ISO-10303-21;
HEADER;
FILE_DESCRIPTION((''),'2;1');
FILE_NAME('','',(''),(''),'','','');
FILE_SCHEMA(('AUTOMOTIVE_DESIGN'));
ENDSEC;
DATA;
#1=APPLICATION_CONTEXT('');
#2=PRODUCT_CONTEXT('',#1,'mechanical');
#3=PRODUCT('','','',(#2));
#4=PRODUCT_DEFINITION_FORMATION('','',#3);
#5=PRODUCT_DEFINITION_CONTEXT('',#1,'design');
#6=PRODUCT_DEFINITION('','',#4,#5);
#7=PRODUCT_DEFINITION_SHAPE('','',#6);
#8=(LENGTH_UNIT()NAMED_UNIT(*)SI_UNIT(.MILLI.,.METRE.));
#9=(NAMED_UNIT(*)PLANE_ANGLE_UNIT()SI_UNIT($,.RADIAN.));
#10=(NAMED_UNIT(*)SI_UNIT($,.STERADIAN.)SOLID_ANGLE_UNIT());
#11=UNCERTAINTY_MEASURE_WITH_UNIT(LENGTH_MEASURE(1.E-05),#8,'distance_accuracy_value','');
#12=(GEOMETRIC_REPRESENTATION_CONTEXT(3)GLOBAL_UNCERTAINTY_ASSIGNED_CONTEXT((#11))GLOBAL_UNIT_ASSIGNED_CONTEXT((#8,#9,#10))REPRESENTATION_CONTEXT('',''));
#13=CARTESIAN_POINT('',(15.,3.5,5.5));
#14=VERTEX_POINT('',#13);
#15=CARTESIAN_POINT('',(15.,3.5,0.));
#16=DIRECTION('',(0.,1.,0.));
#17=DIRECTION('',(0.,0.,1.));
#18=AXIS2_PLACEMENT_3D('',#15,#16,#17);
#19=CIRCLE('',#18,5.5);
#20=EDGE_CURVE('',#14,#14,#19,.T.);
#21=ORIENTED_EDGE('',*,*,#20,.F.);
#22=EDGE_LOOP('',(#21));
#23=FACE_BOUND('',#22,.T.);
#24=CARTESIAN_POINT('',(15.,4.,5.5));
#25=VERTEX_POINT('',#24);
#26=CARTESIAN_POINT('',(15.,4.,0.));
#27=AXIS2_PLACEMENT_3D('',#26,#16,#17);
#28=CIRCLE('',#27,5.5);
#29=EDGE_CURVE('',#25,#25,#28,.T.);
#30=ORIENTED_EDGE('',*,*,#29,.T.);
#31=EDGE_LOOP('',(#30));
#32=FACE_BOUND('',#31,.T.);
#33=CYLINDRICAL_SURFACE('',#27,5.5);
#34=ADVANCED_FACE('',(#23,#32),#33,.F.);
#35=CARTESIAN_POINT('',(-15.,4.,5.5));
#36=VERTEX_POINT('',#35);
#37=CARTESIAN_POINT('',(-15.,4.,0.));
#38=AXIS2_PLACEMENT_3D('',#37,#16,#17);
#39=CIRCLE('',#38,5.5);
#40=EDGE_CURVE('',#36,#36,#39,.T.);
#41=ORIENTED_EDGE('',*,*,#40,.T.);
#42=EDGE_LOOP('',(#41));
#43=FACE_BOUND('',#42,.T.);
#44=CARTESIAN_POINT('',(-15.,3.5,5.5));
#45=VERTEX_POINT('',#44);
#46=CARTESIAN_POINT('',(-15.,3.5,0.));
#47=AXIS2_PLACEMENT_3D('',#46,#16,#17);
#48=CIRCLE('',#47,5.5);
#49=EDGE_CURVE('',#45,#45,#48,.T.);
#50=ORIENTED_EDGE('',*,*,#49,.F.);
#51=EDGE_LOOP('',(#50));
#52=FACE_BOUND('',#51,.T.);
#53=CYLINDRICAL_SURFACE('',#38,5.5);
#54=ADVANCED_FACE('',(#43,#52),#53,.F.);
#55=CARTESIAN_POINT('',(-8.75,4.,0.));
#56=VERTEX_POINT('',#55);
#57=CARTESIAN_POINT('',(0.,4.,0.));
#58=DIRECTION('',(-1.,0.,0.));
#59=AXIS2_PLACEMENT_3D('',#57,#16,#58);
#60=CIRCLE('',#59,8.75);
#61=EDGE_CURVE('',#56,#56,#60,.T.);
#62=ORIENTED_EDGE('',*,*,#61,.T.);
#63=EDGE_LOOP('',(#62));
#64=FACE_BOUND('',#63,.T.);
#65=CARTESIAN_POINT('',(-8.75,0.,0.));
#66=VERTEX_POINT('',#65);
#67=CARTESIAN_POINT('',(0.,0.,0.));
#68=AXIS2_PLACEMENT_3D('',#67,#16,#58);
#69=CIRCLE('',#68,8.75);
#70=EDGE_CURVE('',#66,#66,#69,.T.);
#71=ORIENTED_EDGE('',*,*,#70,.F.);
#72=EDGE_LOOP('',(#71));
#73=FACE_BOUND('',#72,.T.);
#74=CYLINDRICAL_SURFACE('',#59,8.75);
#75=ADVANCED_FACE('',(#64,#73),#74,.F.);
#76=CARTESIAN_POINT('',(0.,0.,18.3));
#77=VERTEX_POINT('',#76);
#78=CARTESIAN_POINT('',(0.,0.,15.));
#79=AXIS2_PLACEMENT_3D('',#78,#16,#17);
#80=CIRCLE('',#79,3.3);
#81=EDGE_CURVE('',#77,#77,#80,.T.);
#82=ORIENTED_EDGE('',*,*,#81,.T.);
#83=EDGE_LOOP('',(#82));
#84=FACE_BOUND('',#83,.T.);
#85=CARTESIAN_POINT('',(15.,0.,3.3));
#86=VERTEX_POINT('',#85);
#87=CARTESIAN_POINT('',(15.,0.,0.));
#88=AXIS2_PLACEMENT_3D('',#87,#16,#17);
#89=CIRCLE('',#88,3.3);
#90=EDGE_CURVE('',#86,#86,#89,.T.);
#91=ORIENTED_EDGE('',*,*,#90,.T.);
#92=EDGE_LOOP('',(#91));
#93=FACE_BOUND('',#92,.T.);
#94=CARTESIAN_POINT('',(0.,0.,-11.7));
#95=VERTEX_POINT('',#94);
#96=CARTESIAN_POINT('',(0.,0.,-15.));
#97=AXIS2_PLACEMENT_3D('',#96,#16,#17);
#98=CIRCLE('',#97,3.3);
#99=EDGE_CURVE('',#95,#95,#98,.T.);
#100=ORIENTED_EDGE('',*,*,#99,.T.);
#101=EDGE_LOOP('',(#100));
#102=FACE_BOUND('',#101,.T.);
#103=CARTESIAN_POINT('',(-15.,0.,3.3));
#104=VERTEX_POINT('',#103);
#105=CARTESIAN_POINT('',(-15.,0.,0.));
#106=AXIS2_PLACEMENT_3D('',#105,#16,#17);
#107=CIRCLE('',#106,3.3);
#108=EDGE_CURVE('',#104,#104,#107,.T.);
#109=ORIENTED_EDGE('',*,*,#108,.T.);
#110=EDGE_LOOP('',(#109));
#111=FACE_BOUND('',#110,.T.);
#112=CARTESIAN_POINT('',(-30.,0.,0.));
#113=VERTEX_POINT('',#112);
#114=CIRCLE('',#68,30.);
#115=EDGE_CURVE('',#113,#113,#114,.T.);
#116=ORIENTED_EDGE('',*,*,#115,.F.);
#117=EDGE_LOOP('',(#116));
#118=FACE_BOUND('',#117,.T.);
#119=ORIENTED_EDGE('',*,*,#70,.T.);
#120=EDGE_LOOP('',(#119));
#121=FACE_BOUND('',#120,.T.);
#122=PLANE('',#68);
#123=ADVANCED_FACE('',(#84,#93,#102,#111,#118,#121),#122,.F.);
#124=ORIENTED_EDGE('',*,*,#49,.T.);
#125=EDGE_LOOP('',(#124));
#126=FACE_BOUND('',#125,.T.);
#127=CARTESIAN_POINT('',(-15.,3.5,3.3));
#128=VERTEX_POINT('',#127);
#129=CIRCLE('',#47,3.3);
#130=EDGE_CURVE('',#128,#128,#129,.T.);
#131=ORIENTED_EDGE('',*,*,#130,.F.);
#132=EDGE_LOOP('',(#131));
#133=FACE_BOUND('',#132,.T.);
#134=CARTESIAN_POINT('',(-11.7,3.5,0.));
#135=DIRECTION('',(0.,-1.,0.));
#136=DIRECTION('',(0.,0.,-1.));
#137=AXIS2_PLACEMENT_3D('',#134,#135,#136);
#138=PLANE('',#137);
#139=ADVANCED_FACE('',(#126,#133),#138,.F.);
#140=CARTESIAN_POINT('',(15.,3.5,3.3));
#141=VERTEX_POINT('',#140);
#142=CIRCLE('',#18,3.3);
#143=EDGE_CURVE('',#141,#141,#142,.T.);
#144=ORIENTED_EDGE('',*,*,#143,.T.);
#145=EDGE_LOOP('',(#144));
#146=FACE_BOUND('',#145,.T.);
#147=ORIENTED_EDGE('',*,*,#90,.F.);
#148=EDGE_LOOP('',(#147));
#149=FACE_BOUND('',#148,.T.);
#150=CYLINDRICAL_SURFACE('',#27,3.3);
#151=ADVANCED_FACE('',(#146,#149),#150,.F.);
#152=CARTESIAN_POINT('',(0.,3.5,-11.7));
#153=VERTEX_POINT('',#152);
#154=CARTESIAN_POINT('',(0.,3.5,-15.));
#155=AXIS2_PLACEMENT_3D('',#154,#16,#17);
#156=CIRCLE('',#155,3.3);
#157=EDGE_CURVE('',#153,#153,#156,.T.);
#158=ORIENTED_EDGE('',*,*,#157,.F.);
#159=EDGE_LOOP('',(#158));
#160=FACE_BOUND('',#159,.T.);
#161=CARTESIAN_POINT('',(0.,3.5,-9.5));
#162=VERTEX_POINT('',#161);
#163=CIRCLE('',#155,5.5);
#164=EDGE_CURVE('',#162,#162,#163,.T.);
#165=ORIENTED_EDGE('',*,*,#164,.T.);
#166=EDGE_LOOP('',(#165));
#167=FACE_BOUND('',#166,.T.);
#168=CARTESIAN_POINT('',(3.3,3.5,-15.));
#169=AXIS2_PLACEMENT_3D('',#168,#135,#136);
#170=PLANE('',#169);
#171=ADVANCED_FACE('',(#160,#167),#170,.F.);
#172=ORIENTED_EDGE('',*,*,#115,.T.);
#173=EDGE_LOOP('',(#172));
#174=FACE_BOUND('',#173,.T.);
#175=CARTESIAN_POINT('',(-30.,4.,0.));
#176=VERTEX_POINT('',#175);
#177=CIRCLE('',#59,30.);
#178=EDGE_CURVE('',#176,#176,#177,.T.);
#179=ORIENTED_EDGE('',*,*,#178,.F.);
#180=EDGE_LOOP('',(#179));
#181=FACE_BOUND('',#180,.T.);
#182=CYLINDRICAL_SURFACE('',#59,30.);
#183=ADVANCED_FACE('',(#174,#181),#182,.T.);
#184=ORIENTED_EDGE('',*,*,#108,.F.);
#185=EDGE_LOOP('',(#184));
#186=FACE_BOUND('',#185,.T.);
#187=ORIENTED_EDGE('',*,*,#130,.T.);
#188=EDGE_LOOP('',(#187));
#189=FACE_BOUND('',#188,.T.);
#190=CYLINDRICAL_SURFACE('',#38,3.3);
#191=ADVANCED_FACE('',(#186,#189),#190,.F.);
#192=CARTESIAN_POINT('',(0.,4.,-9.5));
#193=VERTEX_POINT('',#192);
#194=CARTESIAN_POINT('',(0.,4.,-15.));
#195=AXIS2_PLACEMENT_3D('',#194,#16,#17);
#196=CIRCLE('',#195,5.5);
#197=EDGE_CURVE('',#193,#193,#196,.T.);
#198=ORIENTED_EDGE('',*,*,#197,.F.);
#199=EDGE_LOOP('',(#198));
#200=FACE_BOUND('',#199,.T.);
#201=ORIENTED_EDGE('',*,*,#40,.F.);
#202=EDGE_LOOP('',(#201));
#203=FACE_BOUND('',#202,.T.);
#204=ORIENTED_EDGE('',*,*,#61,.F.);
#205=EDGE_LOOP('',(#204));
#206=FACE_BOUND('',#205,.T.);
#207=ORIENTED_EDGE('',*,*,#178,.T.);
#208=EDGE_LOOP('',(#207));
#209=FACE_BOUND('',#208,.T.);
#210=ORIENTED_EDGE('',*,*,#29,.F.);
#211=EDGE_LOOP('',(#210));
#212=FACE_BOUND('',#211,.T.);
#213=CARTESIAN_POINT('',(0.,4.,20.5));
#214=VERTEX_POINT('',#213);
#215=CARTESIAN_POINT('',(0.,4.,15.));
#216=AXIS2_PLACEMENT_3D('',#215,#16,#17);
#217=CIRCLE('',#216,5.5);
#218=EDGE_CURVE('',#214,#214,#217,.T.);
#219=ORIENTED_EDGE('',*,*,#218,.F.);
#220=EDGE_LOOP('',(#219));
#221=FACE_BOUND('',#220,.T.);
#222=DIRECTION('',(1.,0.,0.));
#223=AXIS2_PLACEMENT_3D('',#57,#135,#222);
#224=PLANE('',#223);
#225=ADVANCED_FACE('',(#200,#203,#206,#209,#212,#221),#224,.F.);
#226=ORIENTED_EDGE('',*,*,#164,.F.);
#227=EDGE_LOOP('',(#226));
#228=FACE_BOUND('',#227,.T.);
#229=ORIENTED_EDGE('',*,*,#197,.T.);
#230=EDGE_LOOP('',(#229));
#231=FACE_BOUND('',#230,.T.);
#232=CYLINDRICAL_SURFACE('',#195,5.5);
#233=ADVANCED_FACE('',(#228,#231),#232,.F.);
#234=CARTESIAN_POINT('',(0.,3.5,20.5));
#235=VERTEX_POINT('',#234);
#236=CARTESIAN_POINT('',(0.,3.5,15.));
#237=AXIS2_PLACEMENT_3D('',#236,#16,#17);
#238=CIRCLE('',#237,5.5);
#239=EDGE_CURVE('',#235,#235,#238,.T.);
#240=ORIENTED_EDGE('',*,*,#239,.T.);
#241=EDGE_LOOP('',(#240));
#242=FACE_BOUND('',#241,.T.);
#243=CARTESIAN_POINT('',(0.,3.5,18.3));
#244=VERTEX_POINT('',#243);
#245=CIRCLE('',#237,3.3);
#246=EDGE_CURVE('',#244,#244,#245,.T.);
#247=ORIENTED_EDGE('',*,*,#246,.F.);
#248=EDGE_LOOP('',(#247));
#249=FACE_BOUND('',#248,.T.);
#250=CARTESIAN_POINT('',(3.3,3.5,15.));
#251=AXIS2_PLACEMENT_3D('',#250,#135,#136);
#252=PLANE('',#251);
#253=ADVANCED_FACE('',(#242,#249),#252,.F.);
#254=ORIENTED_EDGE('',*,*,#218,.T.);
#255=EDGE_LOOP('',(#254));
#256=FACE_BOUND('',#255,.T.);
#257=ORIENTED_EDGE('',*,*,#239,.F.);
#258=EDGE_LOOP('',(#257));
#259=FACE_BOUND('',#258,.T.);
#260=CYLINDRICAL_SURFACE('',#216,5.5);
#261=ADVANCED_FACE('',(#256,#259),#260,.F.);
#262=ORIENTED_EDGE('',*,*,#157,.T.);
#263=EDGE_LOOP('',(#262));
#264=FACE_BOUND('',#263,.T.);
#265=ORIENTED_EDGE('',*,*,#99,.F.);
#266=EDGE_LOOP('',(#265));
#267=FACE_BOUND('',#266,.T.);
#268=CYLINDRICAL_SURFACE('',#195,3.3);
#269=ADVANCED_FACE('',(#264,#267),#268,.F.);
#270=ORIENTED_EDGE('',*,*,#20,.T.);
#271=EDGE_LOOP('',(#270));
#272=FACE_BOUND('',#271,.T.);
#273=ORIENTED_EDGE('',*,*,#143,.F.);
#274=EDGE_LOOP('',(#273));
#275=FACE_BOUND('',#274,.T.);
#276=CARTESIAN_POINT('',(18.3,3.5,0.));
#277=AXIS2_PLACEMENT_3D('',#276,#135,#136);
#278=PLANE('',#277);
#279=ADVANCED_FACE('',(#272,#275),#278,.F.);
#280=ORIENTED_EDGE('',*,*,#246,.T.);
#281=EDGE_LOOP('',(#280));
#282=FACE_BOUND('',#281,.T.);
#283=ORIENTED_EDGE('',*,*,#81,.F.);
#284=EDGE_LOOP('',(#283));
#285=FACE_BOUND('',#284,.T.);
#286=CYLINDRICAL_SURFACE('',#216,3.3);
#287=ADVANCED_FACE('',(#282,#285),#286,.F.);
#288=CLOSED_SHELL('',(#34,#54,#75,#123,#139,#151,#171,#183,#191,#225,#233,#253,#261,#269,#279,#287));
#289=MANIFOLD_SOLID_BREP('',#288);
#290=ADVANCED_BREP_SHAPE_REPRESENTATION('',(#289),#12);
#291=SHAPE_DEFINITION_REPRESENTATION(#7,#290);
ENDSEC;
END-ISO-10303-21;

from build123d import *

# Parameters (mm, degrees)
SKETCH_1_W                   = 21.25
SKETCH_1_H                   = 4
HOLE_WIZARD_M6_1_D           = 6.6
HOLE_WIZARD_M6_1_CBORE_D     = 11
HOLE_WIZARD_M6_1_CBORE_DEPTH = 0.5


with BuildPart() as part:
    # 草图1 → 旋转1 (revolve)
    with BuildSketch(Plane.XY, mode=Mode.PRIVATE) as revolve_1_sk:
        with Locations((19.375, 2)):
            Rectangle(SKETCH_1_W, SKETCH_1_H)
    revolve(revolve_1_sk.sketch.rotate(Axis((0, 4, 0), (0, -1, 0)), 180), axis=Axis((0, 4, 0), (0, -1, 0)))

    # M6 六角头螺栓的柱形沉头孔1 (through all)
    with Locations(Plane(origin=(0, 4, 0), x_dir=(1, 0, 0), z_dir=(0, 1, 0))):
        with Locations((15, 0), (0, -15), (-15, 0), (0, 15)):
            CounterBoreHole(HOLE_WIZARD_M6_1_D / 2, HOLE_WIZARD_M6_1_CBORE_D / 2, HOLE_WIZARD_M6_1_CBORE_DEPTH)


solid = part.part
